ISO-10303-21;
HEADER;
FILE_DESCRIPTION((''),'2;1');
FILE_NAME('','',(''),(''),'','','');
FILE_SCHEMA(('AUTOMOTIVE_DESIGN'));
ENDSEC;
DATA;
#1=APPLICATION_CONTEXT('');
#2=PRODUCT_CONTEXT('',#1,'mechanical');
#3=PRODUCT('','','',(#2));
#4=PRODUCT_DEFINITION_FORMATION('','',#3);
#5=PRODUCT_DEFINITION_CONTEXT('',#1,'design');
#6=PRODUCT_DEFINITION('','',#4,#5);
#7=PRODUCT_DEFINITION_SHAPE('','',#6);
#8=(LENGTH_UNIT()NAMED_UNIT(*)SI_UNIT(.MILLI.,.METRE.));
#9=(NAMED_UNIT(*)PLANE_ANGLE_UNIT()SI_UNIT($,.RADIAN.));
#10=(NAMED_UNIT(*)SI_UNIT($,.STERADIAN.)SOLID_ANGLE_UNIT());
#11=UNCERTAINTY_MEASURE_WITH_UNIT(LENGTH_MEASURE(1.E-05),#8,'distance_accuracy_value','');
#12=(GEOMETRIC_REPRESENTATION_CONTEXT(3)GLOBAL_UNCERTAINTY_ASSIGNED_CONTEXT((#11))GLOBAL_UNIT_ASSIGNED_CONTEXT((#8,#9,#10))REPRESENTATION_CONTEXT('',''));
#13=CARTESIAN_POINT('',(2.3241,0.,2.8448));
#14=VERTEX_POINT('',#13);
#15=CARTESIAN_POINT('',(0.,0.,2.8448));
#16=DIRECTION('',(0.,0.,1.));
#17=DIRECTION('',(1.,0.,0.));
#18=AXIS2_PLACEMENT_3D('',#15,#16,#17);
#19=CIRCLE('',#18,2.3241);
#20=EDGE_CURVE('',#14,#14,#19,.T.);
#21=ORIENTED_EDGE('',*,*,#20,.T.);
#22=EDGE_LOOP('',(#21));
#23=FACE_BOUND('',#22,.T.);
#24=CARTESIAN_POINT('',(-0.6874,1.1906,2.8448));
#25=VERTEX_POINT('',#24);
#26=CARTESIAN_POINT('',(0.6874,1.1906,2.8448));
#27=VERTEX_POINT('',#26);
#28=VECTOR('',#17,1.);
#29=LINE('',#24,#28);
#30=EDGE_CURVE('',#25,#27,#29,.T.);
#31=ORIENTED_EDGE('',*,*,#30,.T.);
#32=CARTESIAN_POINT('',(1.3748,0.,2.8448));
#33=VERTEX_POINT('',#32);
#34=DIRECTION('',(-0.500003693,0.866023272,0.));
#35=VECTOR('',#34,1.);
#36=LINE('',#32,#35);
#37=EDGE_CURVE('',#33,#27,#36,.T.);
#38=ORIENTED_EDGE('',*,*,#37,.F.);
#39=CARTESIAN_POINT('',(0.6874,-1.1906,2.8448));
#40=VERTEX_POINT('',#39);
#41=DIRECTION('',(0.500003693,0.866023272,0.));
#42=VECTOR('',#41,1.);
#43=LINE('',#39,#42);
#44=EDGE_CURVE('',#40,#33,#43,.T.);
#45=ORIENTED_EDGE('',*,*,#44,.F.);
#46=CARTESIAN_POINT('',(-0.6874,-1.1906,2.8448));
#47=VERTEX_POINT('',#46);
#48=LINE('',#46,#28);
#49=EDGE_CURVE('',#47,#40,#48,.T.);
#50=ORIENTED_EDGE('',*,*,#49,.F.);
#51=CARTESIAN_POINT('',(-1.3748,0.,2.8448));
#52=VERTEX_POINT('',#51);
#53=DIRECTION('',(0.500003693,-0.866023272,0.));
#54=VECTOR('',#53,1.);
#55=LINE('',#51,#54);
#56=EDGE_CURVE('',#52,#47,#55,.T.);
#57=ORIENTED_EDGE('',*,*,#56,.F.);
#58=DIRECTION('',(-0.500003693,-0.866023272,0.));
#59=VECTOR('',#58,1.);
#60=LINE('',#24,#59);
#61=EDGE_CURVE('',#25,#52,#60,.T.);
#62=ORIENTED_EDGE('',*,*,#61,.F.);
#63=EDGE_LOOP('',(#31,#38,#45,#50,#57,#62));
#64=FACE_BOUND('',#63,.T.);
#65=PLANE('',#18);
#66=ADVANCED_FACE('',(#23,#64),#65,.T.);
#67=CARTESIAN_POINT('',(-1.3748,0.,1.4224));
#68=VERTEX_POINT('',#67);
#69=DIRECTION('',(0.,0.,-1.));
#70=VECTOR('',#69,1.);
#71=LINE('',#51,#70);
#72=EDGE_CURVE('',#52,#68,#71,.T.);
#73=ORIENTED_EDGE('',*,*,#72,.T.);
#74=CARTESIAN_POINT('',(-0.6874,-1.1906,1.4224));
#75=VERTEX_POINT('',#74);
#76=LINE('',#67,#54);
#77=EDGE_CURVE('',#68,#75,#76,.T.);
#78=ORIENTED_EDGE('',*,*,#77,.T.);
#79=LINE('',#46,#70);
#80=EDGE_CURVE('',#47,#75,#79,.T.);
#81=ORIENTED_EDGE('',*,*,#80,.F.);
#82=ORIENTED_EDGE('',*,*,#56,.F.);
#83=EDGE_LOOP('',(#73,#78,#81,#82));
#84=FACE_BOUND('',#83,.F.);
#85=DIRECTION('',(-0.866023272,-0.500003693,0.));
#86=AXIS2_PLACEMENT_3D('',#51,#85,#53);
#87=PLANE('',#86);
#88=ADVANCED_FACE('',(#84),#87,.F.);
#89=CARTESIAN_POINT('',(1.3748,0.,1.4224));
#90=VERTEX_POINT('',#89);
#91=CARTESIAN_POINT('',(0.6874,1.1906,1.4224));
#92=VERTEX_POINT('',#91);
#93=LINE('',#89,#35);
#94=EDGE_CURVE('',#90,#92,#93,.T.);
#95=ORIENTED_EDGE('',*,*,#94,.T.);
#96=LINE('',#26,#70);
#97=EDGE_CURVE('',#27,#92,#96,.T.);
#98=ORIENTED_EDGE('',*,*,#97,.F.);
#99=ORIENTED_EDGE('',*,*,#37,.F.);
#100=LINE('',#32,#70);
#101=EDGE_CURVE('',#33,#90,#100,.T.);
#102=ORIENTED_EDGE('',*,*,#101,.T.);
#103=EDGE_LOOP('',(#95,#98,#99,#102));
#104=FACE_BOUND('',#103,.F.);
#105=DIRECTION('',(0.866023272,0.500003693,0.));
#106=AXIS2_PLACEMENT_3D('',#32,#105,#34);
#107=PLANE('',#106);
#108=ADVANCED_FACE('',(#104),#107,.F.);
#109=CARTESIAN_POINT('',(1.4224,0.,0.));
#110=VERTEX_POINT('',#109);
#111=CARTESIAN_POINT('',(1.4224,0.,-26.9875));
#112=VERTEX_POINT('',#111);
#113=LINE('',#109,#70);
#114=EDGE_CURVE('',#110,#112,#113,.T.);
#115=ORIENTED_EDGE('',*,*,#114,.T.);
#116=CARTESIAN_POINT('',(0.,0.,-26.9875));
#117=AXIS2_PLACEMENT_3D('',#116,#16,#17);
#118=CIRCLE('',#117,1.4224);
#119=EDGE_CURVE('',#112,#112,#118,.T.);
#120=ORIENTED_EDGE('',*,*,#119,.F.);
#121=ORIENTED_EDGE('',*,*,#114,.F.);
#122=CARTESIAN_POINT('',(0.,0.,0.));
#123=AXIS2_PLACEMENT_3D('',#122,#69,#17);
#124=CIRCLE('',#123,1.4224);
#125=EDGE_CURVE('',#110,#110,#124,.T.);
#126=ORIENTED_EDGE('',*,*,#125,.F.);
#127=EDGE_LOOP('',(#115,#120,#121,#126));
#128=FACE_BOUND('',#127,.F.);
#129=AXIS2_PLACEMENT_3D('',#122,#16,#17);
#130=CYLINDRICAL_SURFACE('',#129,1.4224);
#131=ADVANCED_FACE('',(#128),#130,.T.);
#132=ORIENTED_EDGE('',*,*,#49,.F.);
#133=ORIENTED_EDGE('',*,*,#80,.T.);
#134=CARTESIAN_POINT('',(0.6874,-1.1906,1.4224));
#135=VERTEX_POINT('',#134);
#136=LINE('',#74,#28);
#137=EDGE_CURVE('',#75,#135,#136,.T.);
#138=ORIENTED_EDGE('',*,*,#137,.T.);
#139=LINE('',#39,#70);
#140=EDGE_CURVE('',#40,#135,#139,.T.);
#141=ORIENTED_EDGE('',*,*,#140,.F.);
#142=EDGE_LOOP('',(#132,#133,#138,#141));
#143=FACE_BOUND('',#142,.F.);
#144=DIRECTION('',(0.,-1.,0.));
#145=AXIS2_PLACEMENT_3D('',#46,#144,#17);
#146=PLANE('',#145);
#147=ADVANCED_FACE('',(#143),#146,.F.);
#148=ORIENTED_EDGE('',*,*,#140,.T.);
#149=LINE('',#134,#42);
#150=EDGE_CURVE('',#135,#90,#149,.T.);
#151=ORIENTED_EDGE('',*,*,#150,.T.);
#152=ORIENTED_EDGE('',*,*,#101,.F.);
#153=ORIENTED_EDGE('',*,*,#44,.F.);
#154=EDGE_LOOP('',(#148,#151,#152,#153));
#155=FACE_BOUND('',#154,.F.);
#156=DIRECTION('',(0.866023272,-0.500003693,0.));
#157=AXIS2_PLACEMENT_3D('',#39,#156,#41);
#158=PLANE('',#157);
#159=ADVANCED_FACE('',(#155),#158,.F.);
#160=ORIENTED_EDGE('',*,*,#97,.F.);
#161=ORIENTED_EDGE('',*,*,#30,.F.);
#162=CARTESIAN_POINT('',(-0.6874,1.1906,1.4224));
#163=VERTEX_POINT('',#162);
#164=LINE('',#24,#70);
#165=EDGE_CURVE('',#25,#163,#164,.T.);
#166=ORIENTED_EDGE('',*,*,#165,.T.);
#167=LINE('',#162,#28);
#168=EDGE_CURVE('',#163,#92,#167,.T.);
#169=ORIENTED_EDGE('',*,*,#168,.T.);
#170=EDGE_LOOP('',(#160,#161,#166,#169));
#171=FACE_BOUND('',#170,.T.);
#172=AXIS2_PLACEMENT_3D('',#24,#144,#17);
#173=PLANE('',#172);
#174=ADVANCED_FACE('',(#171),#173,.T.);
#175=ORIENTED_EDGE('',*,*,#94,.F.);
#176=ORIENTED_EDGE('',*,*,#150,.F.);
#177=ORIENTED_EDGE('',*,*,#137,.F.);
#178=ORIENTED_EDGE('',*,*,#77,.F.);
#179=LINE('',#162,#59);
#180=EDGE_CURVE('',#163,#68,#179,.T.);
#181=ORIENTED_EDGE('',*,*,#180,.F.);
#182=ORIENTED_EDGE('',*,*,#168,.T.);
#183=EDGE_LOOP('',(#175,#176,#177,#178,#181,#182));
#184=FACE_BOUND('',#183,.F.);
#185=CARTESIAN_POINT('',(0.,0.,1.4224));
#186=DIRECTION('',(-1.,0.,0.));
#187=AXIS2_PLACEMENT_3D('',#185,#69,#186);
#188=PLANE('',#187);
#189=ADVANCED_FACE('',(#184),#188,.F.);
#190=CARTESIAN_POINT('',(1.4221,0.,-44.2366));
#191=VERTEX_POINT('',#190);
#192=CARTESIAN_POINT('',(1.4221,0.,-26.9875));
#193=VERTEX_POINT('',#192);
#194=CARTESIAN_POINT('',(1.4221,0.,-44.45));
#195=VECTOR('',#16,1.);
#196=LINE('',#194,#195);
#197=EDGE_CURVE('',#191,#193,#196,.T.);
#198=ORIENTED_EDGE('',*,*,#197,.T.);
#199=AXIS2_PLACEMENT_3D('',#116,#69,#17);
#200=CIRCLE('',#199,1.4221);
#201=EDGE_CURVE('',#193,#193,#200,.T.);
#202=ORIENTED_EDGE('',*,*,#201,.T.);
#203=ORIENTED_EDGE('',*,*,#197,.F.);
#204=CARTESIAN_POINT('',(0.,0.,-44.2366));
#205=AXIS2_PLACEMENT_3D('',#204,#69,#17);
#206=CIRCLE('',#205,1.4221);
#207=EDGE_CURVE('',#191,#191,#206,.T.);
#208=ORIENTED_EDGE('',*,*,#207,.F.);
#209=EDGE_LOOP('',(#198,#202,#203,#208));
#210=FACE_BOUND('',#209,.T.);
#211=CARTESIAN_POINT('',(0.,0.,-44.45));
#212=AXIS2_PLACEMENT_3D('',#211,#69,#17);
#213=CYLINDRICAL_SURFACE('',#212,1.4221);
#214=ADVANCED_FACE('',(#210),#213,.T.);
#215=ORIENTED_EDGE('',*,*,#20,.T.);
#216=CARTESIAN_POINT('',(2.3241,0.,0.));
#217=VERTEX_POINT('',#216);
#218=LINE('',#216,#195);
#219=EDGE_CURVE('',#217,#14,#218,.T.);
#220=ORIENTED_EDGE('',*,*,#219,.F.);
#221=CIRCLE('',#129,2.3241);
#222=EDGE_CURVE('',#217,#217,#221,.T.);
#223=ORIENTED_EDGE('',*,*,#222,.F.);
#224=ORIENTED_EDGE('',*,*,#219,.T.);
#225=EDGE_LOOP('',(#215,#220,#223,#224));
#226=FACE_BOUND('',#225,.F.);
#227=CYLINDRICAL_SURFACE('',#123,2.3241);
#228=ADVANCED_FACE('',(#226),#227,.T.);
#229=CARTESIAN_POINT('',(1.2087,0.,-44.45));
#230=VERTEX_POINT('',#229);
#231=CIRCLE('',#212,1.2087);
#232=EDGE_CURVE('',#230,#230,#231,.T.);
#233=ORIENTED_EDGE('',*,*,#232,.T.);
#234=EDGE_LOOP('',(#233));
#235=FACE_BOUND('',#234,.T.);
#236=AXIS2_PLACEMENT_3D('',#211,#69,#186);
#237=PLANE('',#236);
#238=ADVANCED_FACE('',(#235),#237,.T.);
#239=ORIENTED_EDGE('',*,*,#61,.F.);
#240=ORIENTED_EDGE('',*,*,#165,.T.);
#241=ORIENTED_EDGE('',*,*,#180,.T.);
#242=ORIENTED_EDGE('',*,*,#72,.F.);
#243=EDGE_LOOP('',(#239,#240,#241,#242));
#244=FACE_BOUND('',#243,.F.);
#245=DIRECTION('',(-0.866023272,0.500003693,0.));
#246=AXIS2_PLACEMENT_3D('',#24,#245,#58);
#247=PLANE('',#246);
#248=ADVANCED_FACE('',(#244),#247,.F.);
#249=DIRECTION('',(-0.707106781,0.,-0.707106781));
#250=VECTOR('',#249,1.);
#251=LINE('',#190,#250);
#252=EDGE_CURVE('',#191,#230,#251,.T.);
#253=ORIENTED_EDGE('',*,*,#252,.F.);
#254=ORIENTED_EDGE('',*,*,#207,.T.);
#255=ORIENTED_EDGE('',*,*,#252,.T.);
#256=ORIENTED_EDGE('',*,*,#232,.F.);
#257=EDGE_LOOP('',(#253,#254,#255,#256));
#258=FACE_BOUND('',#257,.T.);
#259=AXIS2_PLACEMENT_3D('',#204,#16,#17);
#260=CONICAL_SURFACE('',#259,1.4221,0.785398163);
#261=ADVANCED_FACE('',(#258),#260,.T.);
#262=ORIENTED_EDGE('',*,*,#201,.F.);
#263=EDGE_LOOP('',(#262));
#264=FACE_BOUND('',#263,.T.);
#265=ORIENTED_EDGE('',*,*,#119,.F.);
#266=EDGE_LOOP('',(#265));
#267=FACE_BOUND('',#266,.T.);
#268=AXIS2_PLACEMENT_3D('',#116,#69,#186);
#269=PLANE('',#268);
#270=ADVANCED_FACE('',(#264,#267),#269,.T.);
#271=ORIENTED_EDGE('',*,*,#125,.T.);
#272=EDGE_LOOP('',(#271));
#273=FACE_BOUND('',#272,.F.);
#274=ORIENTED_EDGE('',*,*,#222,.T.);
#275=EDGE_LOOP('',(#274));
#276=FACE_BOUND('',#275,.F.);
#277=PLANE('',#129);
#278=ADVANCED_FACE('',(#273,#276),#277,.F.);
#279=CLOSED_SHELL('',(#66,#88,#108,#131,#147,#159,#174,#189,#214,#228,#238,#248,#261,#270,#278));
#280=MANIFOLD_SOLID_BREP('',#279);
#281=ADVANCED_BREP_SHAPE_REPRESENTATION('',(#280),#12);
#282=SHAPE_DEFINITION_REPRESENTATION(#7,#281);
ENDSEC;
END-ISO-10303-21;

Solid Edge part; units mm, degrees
sketch "Sketch1" plane through (0, 0, 0) normal (0, 0, 1) x (1, 0, 0)
  circle A0 centre (0, 0) radius 2.3241
  dimension "D1" = 4.6482
extrude "Protrusion1" add sketch "Sketch1" along normal blind 2.8448
sketch "Sketch2" plane through (0, 0, 0) normal (0, 0, -1) x (1, 0, 0)
  circle A0 centre (0, 0) radius 1.4224
extrude "Protrusion2" add sketch "Sketch2" along normal blind 44.45
sketch "Sketch3" plane through (0, 0, -44.45) normal (0, 0, -1) x (1, 0, 0)
  circle A0 centre (0, 0) radius 1.4221
extrude "Cutout1" cut sketch "Sketch3" against normal blind 17.4625 flip side to cut
chamfer "Chamfer_1" distance 0.2134 angle 45 1 edges at (-1.4221, 0, -44.45)
sketch "Sketch4" plane through (0, 0, 2.8448) normal (0, 0, 1) x (1, 0, 0)
  line L0 (-0.6874, 1.1906) -> (0.6874, 1.1906)
  line L1 (1.3748, 0) -> (0.6874, 1.1906)
  line L2 (0.6874, -1.1906) -> (1.3748, 0)
  line L3 (-0.6874, -1.1906) -> (0.6874, -1.1906)
  line L4 (-1.3748, 0) -> (-0.6874, -1.1906)
  line L5 (-0.6874, 1.1906) -> (-1.3748, 0)
  dimension "D1" = 2.3812
extrude "Cutout2" cut sketch "Sketch4" against normal blind 1.4224
properties part number "161638"
